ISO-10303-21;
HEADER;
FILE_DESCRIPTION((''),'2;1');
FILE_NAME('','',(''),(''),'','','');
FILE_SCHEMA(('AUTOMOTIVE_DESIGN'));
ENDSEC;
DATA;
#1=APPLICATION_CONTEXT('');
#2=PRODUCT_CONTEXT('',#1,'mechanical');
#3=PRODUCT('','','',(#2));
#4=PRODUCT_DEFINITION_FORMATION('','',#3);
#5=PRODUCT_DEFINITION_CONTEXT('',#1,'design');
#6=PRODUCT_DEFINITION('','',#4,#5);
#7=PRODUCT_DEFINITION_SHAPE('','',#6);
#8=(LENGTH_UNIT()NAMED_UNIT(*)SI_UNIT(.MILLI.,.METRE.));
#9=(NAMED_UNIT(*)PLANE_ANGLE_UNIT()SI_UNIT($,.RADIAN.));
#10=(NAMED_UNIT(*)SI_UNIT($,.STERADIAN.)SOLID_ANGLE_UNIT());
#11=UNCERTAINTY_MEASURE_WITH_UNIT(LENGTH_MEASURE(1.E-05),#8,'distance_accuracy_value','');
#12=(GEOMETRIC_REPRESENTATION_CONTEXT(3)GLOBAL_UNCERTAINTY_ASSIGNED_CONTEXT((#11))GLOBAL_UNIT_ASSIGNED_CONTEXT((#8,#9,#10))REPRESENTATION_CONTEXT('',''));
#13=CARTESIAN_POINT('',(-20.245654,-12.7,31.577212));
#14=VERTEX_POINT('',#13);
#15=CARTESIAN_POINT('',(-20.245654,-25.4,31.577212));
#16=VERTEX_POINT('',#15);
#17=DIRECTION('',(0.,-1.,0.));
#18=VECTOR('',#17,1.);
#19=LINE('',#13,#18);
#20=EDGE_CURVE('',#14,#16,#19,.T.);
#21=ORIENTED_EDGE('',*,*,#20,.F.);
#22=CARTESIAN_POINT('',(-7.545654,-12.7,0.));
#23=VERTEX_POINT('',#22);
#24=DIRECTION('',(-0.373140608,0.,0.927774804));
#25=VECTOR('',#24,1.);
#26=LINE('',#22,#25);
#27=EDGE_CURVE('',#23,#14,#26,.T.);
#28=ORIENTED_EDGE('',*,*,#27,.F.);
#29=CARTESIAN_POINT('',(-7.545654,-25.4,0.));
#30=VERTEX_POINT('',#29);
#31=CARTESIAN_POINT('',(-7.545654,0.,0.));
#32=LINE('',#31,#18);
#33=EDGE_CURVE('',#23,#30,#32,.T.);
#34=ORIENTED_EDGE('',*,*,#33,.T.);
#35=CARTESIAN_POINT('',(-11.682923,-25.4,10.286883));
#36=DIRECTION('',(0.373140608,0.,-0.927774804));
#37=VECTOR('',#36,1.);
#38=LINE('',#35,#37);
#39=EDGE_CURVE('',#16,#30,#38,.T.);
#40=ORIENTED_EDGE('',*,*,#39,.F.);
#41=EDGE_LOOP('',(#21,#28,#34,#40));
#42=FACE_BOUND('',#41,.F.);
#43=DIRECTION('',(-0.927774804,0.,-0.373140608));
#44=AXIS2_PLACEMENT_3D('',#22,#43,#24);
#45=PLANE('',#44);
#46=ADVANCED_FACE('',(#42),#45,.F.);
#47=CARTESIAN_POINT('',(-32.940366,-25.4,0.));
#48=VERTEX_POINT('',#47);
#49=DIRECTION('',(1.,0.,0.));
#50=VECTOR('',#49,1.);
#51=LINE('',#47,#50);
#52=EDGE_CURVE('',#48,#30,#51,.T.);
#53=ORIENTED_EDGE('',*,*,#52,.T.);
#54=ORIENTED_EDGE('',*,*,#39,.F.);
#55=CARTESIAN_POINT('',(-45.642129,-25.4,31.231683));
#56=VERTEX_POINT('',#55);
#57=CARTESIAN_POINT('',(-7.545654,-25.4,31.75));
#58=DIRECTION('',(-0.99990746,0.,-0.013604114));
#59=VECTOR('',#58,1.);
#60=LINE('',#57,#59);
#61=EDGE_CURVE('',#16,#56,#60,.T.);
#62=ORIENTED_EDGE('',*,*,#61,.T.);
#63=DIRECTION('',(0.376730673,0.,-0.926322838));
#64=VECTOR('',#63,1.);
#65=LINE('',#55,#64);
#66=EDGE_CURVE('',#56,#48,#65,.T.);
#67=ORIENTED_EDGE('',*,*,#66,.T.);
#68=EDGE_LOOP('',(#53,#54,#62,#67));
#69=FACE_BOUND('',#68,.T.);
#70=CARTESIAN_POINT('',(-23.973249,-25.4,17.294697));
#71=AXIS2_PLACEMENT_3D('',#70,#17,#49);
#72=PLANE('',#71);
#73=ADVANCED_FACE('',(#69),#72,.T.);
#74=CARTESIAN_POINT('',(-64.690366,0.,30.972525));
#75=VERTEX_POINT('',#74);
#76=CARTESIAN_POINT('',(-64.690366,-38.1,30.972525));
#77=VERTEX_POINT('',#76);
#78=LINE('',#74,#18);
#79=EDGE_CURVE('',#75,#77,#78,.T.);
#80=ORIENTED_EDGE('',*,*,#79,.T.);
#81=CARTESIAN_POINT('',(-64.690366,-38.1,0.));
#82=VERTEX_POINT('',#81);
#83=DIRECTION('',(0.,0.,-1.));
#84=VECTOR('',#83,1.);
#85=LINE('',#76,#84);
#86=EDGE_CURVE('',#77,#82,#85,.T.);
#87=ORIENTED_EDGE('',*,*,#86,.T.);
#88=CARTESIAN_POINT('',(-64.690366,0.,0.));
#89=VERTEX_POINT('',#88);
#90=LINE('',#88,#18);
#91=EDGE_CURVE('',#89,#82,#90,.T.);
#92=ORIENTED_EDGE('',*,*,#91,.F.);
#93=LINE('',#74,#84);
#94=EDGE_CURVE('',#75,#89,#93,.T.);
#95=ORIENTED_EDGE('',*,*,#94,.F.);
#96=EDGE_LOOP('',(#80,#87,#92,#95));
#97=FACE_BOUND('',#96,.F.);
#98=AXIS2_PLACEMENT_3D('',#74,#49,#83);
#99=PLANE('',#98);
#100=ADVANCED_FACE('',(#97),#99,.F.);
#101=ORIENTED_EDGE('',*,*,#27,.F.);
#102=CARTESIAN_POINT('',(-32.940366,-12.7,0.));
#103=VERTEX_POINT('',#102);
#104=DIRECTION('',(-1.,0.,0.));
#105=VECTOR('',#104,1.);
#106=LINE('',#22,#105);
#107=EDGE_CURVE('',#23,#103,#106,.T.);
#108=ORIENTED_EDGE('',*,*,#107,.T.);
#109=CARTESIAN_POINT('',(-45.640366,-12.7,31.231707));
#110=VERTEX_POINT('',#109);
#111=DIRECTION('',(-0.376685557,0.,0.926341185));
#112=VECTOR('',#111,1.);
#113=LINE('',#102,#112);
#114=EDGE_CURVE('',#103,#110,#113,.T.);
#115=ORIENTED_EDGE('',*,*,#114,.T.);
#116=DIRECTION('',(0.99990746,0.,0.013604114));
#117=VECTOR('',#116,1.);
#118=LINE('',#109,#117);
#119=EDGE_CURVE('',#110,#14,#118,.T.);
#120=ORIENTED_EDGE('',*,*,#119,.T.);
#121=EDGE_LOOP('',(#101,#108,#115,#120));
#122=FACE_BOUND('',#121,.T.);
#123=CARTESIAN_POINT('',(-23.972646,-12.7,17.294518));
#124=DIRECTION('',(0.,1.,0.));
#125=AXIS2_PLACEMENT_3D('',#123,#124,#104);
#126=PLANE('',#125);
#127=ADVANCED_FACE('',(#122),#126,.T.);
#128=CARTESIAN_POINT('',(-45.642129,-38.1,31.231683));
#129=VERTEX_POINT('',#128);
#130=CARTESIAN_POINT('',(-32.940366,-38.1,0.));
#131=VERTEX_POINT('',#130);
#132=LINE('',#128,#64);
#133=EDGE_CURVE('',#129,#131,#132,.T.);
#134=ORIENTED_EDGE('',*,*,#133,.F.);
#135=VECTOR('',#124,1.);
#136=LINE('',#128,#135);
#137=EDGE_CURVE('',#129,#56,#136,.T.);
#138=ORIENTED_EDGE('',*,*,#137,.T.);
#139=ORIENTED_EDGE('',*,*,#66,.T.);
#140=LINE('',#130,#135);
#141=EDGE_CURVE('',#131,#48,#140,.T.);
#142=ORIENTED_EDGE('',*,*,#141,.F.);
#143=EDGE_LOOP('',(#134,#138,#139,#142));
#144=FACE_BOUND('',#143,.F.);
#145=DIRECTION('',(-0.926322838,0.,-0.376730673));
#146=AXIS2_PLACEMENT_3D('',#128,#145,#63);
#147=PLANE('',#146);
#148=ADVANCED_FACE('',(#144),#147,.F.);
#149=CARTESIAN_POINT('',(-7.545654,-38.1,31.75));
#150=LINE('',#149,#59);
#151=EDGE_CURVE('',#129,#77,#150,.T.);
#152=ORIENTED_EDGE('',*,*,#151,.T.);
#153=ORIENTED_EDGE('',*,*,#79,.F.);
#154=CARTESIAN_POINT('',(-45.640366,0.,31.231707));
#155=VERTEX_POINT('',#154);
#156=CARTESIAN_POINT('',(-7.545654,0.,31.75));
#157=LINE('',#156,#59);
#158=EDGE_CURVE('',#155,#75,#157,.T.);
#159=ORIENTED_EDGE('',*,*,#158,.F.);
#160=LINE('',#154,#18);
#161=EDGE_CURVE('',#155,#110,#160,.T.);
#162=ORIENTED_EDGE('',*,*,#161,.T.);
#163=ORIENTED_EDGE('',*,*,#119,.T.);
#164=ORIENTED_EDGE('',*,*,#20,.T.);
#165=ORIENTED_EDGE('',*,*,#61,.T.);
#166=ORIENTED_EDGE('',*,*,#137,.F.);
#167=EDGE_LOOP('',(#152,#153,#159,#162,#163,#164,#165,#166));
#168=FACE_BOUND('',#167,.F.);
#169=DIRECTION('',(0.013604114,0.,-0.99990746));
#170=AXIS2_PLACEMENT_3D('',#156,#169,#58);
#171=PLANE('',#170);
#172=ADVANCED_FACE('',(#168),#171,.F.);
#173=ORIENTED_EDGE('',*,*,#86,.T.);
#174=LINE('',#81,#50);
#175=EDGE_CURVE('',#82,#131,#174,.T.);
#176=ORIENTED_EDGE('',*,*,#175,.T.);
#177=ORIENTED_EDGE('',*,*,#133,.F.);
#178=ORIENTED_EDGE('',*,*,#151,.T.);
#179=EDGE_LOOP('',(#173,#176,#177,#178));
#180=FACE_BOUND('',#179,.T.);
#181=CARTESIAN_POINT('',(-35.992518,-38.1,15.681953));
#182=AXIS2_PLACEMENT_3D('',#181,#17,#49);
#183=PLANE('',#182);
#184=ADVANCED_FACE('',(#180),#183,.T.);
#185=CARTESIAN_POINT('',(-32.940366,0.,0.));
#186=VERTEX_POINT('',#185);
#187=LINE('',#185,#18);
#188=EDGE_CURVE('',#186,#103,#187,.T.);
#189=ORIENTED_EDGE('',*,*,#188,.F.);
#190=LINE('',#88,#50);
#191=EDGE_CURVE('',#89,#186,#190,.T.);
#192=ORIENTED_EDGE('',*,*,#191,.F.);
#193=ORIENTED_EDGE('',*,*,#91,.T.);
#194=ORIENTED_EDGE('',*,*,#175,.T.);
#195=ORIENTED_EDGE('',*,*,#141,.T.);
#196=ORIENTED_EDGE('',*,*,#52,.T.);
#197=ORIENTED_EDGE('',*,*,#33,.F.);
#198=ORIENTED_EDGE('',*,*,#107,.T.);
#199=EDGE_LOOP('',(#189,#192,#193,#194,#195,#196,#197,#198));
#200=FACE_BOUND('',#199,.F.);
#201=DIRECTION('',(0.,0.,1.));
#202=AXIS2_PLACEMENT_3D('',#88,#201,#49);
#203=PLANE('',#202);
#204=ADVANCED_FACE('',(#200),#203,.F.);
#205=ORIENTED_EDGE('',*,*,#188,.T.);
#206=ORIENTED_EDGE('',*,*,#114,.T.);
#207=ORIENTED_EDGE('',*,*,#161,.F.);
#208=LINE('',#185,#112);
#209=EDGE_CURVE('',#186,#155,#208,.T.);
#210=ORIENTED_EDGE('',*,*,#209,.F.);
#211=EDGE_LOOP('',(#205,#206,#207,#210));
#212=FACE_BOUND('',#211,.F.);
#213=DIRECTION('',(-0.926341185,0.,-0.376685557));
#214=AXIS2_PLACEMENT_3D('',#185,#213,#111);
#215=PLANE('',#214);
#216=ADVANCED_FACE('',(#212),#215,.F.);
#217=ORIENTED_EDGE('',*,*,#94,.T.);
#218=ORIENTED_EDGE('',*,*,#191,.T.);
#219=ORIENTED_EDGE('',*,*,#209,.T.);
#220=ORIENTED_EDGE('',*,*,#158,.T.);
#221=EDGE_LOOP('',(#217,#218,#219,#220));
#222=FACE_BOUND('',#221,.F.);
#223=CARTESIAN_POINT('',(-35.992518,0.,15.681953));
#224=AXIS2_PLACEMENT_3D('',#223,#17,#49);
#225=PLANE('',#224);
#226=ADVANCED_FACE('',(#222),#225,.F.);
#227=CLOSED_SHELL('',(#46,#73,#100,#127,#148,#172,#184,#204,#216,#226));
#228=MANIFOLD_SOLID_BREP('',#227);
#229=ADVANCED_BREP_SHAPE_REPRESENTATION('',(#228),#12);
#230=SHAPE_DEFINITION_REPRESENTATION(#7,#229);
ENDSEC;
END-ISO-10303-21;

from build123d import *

# Parameters (mm, degrees)
F1_DEPTH = 38.1
F3_DEPTH = 12.7
F5_DEPTH = 12.7
F7_DEPTH = 25.401


with BuildPart() as f1:
    # F0 (on Front) → F1 (new body)
    with BuildSketch(Plane.XZ):
        Polygon((-7.5456544791, 31.75), (-64.6903658043, 30.9725248881), (-64.6903658043, 0), (-7.5456544791, 0), align=None)
    extrude(amount=F1_DEPTH)

    # F2 (on face) → F3 (cut)
    with BuildSketch(Plane.XZ.offset(38.1)):
        Polygon((-7.5456544791, 31.75), (-45.6421286959, 31.2316832588), (-32.9403658043, 0), (-7.5456544791, 0), align=None)
    extrude(amount=-F3_DEPTH, mode=Mode.SUBTRACT)

    # F4 (on face) → F5 (cut)
    with BuildSketch(Plane(origin=(0, 0, 0), x_dir=(-1, 0, 0), z_dir=(0, 1, 0))):
        Polygon((32.9403658043, 0), (45.6403658043, 31.2317072435), (7.5456544791, 31.75), (7.5456544791, 0), align=None)
    extrude(amount=-F5_DEPTH, mode=Mode.SUBTRACT)

    # F6 (on face) → F7 (cut, through all)
    with BuildSketch(Plane(origin=(0, -12.7, 0), x_dir=(-1, 0, 0), z_dir=(0, 1, 0))):
        Polygon((7.5456544791, 0), (20.2456544791, 31.5772117631), (7.5456544791, 31.75), align=None)
    extrude(amount=-F7_DEPTH, mode=Mode.SUBTRACT)


solid = f1.part
